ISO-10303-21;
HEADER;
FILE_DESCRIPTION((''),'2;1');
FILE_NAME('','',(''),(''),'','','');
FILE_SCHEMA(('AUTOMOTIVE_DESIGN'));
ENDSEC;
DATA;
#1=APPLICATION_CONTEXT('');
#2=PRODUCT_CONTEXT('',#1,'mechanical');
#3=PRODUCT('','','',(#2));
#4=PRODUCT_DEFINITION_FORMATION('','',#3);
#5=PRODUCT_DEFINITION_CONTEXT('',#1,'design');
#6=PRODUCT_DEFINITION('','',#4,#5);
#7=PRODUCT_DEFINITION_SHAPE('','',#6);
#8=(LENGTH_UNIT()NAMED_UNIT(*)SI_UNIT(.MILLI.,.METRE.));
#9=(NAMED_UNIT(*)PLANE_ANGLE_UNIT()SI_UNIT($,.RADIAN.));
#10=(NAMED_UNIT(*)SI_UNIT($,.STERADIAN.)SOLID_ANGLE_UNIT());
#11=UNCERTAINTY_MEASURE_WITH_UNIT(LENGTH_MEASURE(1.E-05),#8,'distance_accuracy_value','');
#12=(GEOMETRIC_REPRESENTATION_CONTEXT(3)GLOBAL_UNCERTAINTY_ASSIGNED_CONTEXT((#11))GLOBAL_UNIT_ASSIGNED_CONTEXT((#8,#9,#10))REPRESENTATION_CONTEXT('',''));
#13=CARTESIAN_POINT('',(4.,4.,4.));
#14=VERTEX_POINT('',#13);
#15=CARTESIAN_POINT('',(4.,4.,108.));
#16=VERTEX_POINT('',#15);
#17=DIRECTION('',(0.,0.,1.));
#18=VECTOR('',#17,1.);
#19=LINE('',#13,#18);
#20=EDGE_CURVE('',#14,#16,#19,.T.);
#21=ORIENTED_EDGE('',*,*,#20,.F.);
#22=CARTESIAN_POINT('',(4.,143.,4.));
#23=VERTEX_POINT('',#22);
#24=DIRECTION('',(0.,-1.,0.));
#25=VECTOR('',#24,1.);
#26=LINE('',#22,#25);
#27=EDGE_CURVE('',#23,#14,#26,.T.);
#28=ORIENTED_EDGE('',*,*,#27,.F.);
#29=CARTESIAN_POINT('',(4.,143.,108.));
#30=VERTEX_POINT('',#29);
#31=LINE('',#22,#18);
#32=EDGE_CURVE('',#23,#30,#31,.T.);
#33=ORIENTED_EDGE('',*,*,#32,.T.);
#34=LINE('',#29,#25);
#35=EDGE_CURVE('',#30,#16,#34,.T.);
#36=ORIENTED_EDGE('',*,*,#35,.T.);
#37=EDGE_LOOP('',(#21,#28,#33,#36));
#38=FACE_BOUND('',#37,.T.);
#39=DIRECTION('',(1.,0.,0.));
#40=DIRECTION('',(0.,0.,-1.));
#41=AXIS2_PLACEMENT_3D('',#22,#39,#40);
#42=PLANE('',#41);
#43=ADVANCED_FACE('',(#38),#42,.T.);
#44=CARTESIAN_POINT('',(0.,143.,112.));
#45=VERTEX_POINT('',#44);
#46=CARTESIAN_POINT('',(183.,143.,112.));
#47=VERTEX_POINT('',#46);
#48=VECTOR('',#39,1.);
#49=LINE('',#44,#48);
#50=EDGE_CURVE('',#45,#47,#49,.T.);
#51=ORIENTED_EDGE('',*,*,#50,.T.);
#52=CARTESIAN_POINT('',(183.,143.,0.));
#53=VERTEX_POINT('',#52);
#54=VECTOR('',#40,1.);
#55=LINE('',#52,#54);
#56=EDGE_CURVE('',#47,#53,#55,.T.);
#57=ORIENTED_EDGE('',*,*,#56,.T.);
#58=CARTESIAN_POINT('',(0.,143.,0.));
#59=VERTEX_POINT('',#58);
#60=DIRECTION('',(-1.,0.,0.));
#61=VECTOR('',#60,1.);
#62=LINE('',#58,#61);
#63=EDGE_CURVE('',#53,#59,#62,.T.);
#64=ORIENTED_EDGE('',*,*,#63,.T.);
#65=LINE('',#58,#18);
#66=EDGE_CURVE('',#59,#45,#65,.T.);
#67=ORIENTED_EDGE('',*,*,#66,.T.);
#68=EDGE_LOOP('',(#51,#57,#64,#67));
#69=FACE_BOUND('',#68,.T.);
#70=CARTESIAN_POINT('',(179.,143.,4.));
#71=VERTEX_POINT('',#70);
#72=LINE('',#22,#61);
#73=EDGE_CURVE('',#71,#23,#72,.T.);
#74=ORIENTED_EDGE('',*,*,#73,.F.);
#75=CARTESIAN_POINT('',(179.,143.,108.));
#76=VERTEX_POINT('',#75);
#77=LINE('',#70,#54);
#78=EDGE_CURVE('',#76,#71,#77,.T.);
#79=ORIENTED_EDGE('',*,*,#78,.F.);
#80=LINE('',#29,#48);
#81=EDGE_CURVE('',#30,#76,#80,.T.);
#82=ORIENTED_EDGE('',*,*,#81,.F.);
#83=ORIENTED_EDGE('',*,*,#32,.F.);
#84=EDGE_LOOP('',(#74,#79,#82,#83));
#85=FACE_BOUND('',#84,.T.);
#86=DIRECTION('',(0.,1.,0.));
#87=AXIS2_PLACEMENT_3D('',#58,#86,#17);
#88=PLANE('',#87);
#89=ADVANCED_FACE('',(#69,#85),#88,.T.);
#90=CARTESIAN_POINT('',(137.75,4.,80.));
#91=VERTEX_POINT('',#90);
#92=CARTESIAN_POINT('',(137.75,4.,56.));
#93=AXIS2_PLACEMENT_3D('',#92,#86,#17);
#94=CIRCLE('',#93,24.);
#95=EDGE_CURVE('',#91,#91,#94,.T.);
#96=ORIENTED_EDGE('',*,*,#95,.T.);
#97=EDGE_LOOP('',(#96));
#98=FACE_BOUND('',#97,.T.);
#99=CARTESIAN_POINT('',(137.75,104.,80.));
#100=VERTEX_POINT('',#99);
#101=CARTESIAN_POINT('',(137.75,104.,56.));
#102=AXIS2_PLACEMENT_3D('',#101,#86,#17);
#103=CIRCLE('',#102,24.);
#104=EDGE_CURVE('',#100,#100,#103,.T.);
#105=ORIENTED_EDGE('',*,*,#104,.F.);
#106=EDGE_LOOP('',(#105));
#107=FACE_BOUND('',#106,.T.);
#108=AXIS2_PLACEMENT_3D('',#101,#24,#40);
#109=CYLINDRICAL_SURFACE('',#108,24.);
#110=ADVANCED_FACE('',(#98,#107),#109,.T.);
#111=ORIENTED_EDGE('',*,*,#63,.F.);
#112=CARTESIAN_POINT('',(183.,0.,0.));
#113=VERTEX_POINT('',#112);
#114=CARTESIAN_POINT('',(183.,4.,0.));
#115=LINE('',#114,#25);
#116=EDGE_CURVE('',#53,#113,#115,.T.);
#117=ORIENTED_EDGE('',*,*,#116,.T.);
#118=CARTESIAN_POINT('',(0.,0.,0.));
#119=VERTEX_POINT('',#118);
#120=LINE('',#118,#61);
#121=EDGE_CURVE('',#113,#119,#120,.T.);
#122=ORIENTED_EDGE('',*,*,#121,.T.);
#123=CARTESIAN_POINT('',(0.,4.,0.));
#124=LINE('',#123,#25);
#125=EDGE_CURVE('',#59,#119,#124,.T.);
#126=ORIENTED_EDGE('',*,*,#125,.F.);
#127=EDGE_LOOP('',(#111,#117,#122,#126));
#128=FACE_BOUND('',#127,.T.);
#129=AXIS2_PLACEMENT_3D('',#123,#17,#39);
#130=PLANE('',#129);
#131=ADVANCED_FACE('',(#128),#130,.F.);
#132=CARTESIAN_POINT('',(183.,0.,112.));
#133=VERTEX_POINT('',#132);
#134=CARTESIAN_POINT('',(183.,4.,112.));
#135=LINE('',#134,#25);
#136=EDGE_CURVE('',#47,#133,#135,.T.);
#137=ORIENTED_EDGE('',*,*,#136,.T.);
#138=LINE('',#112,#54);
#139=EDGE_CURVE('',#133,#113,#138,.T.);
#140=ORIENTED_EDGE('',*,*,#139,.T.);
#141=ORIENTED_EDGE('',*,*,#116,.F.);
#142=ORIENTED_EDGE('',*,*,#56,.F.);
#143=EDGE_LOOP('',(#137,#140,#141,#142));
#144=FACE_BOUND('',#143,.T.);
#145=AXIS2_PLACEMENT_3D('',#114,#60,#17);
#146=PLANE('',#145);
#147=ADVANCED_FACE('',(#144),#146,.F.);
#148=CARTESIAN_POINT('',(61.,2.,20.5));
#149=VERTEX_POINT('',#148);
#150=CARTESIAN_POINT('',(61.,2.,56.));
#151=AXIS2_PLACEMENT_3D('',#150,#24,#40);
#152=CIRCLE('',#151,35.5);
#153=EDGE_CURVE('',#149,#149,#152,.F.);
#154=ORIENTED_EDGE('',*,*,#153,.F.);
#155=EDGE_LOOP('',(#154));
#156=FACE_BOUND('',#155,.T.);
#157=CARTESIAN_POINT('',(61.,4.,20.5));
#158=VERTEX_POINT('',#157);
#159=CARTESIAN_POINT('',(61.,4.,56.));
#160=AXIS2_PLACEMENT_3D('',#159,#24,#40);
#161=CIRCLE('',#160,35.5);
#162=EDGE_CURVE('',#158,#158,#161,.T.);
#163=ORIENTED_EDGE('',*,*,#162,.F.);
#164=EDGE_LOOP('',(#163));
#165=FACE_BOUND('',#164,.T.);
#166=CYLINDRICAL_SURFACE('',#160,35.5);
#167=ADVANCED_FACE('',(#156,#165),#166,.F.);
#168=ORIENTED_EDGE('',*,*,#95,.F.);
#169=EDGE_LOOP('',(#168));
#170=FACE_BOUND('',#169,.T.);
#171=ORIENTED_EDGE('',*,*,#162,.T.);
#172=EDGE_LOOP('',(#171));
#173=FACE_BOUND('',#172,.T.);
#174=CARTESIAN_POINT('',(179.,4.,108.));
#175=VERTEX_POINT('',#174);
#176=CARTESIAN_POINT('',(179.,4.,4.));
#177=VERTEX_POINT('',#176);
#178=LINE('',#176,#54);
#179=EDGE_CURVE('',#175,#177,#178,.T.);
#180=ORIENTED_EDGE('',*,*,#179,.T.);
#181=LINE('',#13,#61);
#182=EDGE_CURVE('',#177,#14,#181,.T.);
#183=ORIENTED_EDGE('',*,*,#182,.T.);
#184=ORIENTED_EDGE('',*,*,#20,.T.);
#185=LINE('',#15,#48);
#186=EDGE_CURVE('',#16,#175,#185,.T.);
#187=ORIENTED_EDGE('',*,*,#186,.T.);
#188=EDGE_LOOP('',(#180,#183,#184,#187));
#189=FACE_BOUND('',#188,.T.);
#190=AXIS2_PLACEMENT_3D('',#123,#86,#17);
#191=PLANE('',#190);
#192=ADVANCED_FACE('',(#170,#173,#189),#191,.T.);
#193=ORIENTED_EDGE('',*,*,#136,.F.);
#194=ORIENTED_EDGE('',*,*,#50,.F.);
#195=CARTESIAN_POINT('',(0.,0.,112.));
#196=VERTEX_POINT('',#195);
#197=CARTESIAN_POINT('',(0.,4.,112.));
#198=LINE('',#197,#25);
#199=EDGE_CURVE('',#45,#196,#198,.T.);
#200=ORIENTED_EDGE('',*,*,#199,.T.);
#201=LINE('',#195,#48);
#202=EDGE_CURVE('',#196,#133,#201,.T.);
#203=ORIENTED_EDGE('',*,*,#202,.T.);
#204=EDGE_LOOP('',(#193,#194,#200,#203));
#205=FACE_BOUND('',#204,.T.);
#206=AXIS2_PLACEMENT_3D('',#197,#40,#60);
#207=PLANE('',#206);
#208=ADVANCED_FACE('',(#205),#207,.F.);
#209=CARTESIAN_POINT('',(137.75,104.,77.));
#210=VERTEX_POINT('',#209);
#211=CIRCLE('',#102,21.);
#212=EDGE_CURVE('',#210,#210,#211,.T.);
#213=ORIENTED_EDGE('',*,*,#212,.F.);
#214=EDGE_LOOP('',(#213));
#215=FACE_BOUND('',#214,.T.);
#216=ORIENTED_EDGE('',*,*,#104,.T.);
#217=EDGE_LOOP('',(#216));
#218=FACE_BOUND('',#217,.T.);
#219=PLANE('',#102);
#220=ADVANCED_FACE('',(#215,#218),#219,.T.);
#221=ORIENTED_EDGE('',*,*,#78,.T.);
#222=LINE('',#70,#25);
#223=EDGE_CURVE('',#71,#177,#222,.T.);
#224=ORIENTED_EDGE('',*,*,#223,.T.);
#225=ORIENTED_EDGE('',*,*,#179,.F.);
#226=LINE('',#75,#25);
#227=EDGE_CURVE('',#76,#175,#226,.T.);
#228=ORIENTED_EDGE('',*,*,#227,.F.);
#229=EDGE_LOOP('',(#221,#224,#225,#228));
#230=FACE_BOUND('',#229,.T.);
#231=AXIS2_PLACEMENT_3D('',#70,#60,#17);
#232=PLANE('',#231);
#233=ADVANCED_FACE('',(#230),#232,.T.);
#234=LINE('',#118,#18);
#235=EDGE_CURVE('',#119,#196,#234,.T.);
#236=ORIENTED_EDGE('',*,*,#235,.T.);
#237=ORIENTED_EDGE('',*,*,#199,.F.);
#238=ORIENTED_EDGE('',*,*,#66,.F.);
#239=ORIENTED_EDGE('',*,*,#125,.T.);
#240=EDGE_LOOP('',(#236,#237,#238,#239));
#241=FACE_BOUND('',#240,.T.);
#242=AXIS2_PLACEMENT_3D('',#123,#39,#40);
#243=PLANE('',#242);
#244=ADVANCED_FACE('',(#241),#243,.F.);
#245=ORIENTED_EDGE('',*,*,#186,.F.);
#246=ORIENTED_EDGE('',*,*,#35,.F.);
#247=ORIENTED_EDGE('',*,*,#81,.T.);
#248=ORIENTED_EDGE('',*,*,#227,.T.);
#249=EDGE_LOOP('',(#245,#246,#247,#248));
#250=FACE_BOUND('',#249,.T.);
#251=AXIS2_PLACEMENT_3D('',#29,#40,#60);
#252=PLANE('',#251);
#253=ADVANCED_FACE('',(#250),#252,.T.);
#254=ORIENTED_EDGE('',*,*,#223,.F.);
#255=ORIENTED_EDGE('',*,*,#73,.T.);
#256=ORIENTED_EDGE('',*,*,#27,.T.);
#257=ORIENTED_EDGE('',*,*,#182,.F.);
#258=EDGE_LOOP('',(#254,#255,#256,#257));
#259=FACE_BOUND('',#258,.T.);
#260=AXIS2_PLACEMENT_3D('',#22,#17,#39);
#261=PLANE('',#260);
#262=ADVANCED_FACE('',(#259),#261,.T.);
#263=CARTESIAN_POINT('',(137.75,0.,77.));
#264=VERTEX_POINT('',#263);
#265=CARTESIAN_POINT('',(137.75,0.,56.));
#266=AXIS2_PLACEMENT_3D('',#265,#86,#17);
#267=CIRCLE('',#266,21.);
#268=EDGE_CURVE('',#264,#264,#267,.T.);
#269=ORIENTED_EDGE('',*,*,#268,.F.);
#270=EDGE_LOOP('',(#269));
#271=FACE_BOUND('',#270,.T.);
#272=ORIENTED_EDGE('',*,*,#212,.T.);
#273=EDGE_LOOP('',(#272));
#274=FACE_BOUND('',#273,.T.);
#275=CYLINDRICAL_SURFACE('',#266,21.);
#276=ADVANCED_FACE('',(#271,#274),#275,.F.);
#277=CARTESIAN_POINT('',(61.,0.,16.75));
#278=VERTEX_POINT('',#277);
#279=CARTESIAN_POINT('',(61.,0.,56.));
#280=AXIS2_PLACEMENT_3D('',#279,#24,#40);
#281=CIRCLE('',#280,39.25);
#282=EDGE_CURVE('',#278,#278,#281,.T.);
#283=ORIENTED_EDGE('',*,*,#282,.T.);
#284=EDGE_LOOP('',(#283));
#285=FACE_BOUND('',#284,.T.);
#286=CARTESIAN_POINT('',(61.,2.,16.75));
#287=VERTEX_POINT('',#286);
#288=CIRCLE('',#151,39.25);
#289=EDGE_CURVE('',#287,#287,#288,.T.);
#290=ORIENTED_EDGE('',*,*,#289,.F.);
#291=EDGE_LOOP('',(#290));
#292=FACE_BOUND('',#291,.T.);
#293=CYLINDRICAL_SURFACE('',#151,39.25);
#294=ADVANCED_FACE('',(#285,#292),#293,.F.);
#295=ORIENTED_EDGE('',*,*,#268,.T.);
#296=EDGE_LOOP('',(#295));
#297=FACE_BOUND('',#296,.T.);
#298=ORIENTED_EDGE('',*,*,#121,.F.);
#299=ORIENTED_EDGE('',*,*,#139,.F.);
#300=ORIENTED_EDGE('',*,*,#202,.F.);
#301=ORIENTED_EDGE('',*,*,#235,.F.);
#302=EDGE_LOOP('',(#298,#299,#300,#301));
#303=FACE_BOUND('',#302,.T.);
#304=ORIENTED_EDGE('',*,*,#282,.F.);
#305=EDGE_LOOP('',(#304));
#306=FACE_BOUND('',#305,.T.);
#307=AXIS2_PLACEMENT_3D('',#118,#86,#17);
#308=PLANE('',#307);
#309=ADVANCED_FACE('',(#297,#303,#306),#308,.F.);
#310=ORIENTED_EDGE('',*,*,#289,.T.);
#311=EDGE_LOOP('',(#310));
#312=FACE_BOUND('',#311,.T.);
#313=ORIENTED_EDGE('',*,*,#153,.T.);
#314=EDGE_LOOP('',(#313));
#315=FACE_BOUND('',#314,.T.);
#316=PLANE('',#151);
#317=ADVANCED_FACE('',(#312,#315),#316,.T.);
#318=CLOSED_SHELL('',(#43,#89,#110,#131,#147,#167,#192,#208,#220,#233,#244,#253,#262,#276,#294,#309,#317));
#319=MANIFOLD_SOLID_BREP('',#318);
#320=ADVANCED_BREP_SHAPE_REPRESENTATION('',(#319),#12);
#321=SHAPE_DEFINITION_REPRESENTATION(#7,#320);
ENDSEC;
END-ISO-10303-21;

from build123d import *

# Parameters (mm, degrees)
SKETCH1_W           = 183
SKETCH1_H           = 112
BOSS_EXTRUDE1_DEPTH = 4
SKETCH2_W           = 183
SKETCH2_H           = 112
SKETCH2_W_2         = 175
SKETCH2_H_2         = 104
BOSS_EXTRUDE2_DEPTH = 139
SKETCH3_R           = 35.5
CUT_EXTRUDE1_DEPTH  = 4
SKETCH4_R           = 39.25
CUT_EXTRUDE2_DEPTH  = 2
SKETCH5_R           = 21
CUT_EXTRUDE3_DEPTH  = 4
BOSS_EXTRUDE3_START = 100
SKETCH6_R           = 24
SKETCH6_R_2         = 21
BOSS_EXTRUDE3_DEPTH = 100


with BuildPart() as part:
    # Sketch1 → Boss-Extrude1 (new body)
    with BuildSketch(Plane(origin=(0, 0, 0), x_dir=(1, 0, 0), z_dir=(0, 1, 0))):
        with Locations((91.5, -56)):
            Rectangle(SKETCH1_W, SKETCH1_H)
    extrude(amount=BOSS_EXTRUDE1_DEPTH)

    # Sketch2 → Boss-Extrude2 (add)
    with BuildSketch(Plane(origin=(0, 4, 0), x_dir=(1, 0, 0), z_dir=(0, 1, 0))):
        with Locations((91.5, -56)):
            Rectangle(SKETCH2_W, SKETCH2_H)
        with Locations((91.5, -56)):
            Rectangle(SKETCH2_W_2, SKETCH2_H_2, mode=Mode.SUBTRACT)
    extrude(amount=BOSS_EXTRUDE2_DEPTH)

    # Sketch3 → Cut-Extrude1 (cut)
    with BuildSketch(Plane(origin=(0, 0, 0), x_dir=(-1, 0, 0), z_dir=(0, -1, 0))):
        with Locations(Location((-61, -56, 0), (0, 0, 90))):
            Circle(SKETCH3_R)
    extrude(amount=-CUT_EXTRUDE1_DEPTH, mode=Mode.SUBTRACT)

    # Sketch4 → Cut-Extrude2 (cut)
    with BuildSketch(Plane(origin=(0, 0, 0), x_dir=(-1, 0, 0), z_dir=(0, -1, 0))):
        with Locations(Location((-61, -56, 0), (0, 0, 90))):
            Circle(SKETCH4_R)
    extrude(amount=-CUT_EXTRUDE2_DEPTH, mode=Mode.SUBTRACT)

    # Sketch5 → Cut-Extrude3 (cut)
    with BuildSketch(Plane(origin=(0, 4, 0), x_dir=(1, 0, 0), z_dir=(0, 1, 0))):
        with Locations(Location((137.75, -56, 0), (0, 0, 270))):
            Circle(SKETCH5_R)
    extrude(amount=-CUT_EXTRUDE3_DEPTH, mode=Mode.SUBTRACT)

    # Sketch6 → Boss-Extrude3 (add)
    with BuildSketch(Plane(origin=(0, 4, 0), x_dir=(1, 0, 0), z_dir=(0, 1, 0)).offset(BOSS_EXTRUDE3_START)):
        with Locations(Location((137.75, -56, 0), (0, 0, 270))):
            Circle(SKETCH6_R)
        with Locations(Location((137.75, -56, 0), (0, 0, 270))):
            Circle(SKETCH6_R_2, mode=Mode.SUBTRACT)
    extrude(amount=-BOSS_EXTRUDE3_DEPTH)


solid = part.part
